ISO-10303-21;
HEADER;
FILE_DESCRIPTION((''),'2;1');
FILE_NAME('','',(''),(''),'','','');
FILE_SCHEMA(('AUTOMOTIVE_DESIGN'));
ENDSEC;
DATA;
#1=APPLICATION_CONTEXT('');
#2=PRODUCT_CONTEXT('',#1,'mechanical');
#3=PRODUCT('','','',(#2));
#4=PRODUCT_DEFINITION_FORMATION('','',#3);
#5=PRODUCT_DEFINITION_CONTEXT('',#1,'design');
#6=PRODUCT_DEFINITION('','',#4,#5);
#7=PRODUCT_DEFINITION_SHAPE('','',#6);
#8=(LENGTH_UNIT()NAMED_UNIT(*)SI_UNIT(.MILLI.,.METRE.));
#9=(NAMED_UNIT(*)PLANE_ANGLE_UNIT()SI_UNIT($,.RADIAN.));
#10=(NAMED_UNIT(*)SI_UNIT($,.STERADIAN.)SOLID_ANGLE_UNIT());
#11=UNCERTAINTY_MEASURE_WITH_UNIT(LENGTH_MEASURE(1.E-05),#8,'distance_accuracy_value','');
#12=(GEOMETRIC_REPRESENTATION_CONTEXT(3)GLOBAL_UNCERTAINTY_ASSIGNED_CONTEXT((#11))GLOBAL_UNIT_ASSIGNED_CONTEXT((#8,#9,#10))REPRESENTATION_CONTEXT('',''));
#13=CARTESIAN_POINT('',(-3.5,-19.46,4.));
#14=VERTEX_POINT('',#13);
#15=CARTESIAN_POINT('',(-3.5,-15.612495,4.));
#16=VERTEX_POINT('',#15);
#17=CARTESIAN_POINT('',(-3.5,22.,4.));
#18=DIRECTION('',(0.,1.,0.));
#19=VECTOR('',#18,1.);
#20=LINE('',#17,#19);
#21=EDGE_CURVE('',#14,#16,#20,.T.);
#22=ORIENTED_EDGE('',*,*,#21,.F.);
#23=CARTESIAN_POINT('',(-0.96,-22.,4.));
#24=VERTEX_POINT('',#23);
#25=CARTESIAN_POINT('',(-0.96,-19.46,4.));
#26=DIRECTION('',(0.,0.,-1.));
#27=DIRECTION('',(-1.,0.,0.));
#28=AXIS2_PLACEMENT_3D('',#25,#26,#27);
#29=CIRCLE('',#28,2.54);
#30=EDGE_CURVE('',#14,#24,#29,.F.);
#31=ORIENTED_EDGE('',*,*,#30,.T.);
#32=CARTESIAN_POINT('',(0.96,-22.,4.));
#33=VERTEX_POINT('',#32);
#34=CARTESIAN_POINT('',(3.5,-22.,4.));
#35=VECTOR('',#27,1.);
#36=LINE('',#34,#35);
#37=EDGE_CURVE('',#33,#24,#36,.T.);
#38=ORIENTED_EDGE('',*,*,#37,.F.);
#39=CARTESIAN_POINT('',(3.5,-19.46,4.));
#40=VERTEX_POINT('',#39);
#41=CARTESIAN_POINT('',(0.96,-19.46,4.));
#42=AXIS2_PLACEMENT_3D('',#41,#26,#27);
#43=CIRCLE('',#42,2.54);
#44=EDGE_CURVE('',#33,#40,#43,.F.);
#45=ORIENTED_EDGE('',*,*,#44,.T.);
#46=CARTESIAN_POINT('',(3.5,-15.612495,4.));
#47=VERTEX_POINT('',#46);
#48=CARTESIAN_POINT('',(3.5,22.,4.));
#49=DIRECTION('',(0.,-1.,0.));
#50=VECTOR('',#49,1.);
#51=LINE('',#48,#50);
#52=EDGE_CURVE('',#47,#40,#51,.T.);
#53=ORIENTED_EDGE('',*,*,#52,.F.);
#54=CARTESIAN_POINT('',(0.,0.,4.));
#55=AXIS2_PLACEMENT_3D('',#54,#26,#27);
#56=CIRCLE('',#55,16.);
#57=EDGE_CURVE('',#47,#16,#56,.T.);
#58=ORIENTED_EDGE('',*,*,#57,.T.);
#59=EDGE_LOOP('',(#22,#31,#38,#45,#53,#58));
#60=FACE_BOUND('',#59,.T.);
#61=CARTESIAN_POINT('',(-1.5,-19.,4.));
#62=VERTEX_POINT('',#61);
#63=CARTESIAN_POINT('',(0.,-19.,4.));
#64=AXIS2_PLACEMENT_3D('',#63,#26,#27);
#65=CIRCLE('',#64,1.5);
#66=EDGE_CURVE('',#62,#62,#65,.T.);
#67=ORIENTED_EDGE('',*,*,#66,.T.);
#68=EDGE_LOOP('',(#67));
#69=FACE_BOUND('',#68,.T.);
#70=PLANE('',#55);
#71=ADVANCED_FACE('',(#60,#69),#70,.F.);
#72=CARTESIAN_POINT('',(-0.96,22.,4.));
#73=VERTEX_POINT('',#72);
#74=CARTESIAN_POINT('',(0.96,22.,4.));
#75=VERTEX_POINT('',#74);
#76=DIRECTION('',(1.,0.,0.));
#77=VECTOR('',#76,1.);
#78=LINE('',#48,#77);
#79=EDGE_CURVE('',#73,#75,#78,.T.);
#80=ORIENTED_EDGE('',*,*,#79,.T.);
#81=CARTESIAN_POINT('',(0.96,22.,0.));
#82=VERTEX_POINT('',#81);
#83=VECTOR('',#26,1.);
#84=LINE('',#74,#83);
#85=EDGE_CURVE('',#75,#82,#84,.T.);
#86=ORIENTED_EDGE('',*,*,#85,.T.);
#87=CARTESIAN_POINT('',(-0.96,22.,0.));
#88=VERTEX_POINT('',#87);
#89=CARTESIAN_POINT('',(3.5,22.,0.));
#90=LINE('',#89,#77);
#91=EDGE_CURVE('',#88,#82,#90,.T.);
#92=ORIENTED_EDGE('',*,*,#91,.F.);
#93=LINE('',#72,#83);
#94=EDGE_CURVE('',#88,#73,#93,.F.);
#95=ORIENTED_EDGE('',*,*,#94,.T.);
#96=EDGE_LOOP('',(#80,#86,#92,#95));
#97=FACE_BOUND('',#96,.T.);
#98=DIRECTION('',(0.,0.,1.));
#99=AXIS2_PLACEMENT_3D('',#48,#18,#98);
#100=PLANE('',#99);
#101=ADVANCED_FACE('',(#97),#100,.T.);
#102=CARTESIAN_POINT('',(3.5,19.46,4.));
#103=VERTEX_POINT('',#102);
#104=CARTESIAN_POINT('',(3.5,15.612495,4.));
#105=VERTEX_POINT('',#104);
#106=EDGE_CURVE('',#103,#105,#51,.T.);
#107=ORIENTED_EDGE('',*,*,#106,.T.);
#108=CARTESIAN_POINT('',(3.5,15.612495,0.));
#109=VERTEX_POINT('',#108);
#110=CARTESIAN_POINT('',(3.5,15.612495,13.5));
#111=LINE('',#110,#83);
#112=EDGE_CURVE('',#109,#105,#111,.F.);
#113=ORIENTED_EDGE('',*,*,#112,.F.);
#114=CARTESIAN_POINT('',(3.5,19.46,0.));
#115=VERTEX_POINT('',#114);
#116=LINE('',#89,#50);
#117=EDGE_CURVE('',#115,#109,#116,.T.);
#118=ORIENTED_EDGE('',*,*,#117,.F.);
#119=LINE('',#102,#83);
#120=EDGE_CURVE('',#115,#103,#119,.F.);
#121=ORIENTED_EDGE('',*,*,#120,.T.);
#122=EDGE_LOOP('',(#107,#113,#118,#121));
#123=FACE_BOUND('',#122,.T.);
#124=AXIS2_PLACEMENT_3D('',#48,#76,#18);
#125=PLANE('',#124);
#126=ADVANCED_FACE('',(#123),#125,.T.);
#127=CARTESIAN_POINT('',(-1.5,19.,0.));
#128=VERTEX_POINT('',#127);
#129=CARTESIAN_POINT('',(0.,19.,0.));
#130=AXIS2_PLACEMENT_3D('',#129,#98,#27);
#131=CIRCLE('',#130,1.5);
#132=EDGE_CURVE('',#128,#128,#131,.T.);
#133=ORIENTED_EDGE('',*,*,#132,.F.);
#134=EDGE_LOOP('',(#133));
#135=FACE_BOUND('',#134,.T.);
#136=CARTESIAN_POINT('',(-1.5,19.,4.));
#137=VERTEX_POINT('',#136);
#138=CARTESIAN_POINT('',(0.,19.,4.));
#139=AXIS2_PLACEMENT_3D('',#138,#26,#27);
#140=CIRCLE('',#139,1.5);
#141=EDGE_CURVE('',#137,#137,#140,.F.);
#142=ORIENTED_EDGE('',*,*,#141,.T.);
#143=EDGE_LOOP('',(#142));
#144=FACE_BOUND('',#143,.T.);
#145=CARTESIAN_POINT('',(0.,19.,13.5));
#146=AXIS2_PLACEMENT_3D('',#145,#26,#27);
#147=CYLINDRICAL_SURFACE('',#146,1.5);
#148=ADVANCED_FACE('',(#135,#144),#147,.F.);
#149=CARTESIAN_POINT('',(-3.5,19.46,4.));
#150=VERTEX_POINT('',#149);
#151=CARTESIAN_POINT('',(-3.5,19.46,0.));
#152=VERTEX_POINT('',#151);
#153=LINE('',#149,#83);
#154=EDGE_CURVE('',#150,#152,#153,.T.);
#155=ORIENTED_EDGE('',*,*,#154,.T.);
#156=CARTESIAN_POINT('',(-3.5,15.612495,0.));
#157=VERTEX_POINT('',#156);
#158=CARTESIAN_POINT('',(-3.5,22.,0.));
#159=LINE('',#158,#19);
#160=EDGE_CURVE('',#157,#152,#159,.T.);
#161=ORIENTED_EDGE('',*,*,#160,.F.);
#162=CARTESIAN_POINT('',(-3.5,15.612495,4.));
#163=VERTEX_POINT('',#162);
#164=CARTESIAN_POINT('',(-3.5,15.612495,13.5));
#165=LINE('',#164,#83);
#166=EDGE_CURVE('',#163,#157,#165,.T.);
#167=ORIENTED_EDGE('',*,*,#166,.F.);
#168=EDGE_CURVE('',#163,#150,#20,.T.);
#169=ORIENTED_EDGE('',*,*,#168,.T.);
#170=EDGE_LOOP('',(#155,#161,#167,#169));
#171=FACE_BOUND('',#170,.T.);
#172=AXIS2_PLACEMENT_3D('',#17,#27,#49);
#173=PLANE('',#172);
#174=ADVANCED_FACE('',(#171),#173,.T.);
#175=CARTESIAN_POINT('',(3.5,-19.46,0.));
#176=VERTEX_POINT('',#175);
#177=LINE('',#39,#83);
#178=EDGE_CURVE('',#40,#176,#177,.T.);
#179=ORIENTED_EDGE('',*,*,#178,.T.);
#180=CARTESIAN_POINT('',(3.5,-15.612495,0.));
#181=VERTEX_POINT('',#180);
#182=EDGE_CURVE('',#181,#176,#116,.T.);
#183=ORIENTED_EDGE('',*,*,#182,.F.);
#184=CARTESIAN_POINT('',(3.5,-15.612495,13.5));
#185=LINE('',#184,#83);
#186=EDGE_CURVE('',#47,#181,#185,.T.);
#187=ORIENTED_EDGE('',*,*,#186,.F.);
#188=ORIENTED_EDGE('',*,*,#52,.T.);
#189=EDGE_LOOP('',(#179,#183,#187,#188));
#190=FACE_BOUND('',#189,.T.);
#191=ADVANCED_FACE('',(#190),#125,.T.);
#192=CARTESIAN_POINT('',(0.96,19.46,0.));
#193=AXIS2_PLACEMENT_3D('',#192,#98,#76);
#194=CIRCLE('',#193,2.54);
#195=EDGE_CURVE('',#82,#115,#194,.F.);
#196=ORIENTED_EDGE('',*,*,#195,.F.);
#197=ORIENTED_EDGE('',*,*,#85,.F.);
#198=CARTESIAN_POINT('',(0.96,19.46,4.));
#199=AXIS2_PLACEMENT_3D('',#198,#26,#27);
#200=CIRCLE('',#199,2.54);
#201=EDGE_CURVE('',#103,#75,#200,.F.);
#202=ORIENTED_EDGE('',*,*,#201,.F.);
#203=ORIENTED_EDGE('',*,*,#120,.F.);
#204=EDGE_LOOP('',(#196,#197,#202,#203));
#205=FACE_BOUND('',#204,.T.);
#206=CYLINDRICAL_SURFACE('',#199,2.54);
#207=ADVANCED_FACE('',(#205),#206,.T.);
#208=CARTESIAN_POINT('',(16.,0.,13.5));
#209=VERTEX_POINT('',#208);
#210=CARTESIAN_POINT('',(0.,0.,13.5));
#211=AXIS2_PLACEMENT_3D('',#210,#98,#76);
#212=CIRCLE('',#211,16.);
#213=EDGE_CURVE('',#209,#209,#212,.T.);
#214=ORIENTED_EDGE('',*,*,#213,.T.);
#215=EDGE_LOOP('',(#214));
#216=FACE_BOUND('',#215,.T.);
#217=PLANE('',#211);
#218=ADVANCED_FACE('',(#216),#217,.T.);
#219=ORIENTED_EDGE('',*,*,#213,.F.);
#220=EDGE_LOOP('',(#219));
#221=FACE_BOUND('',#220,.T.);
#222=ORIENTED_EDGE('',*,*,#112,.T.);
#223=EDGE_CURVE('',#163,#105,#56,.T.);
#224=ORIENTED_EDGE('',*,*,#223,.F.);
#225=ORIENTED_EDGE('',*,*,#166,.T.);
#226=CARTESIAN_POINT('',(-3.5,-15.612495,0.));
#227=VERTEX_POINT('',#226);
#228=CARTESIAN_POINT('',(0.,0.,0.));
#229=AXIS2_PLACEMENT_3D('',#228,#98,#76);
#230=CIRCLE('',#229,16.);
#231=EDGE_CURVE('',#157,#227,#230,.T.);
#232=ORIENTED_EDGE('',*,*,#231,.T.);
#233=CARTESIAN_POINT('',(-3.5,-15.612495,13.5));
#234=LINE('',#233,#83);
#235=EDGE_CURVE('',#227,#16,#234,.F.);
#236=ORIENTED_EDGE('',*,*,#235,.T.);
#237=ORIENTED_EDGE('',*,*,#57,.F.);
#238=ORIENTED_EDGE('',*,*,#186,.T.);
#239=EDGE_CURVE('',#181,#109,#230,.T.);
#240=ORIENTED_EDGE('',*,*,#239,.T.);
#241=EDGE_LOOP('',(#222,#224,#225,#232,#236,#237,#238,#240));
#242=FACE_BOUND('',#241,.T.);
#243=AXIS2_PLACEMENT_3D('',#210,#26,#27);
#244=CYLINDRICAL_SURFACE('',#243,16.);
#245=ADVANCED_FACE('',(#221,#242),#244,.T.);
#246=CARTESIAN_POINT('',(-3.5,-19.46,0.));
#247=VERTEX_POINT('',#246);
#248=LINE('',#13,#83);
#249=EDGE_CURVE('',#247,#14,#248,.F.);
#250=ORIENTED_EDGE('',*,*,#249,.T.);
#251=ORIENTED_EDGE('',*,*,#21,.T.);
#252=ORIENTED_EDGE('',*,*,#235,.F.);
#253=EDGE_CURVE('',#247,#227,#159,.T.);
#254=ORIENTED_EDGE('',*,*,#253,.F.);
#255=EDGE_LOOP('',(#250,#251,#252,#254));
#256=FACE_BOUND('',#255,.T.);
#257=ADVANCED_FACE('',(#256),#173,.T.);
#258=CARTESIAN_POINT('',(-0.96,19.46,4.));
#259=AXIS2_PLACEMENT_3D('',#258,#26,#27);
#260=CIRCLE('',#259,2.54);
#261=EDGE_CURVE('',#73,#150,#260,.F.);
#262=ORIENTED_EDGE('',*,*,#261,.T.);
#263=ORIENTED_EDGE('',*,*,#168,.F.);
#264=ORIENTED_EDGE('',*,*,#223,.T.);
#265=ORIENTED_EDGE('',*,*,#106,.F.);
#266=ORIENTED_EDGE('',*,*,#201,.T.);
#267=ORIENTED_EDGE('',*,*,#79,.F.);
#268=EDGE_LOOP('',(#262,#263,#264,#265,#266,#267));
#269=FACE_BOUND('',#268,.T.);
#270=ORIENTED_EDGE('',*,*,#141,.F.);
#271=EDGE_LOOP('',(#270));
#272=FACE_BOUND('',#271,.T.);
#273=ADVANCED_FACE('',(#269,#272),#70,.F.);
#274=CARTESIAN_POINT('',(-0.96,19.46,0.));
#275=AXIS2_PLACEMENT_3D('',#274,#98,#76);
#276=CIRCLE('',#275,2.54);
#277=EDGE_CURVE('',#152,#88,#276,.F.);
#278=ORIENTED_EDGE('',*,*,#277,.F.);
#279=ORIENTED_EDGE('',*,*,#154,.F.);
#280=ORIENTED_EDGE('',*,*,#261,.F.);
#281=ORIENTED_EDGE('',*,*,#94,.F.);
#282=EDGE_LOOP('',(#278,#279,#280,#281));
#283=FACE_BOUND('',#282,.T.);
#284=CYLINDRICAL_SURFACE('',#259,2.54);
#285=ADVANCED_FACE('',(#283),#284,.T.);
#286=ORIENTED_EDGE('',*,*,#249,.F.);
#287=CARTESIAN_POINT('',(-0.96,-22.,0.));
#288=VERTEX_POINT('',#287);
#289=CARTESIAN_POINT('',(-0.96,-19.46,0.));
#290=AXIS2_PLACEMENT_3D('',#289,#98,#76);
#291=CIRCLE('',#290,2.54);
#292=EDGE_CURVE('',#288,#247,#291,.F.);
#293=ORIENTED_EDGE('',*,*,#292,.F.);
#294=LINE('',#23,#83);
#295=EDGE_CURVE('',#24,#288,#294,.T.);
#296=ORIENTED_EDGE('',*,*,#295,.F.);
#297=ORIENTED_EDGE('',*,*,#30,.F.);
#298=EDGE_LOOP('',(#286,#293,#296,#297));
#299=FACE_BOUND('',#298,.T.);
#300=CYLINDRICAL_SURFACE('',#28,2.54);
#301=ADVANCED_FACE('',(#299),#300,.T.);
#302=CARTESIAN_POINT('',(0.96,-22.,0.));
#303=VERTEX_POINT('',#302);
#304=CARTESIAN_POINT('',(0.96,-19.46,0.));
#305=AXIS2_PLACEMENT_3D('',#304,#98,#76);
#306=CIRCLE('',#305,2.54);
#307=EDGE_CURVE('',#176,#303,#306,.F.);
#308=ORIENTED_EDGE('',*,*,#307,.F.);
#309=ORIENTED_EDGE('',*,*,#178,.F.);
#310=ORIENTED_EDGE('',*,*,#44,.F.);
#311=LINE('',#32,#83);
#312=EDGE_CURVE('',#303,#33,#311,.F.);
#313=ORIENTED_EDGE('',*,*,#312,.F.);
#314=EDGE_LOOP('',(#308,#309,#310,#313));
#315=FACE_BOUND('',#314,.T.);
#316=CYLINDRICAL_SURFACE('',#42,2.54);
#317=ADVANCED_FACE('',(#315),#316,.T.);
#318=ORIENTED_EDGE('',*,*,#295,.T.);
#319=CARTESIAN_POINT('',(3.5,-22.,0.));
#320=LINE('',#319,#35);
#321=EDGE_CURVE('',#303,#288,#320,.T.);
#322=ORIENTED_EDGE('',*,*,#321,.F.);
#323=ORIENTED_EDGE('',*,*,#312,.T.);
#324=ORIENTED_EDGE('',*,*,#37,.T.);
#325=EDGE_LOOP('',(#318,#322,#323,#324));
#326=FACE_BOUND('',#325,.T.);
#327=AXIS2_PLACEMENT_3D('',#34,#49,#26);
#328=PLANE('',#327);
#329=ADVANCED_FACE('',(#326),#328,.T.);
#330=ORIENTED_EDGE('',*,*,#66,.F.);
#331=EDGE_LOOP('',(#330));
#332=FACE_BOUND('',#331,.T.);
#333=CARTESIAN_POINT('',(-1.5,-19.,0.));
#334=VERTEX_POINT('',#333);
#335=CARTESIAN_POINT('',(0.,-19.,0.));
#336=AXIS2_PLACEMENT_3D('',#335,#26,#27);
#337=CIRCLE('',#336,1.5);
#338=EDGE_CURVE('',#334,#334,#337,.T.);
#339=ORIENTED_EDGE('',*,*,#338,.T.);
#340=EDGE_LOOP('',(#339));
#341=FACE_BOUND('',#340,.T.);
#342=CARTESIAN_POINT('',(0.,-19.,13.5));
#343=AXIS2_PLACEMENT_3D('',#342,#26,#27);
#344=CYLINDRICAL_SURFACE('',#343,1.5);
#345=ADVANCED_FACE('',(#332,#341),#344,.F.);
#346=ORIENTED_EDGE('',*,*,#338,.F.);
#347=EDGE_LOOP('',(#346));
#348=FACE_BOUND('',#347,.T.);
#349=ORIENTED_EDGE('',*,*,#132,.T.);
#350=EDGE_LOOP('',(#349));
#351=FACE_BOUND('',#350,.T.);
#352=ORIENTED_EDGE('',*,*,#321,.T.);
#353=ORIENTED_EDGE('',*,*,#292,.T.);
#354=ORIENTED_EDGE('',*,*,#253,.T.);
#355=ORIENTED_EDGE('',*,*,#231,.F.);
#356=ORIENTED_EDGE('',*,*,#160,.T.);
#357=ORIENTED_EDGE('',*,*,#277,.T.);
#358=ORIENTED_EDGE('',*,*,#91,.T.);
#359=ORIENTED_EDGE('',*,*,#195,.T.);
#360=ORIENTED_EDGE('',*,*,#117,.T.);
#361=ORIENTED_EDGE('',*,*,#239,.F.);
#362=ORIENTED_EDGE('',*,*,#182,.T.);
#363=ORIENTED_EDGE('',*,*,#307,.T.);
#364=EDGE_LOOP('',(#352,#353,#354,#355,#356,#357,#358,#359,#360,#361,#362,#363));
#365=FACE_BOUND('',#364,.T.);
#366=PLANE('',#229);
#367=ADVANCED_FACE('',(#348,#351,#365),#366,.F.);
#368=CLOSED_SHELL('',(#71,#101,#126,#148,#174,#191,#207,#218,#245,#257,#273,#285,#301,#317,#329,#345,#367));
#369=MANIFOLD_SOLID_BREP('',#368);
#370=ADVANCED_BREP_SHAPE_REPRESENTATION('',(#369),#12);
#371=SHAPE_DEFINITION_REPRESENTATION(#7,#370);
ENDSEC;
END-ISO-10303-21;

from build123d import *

# Parameters (mm, degrees)
SKETCH1_R           = 16
BOSS_EXTRUDE1_DEPTH = 13.5
SKETCH2_W           = 7
SKETCH2_H           = 44
BOSS_EXTRUDE2_DEPTH = 4
FILLET1_R           = 2.54
SKETCH4_R           = 1.5
CUT_EXTRUDE1_DEPTH  = 31.368569278


with BuildPart() as part:
    # Sketch1 → Boss-Extrude1 (new body)
    with BuildSketch(Plane.XY):
        Circle(SKETCH1_R)
    extrude(amount=BOSS_EXTRUDE1_DEPTH)

    # Sketch2 → Boss-Extrude2 (add)
    with BuildSketch(Plane(origin=(0, 0, 0), x_dir=(-1, 0, 0), z_dir=(0, 0, -1))):
        Rectangle(SKETCH2_W, SKETCH2_H)
    extrude(amount=-BOSS_EXTRUDE2_DEPTH)

    # Fillet1
    fillet1_edges = [part.edges().sort_by_distance(p)[0] for p in [
        (-3.5, 22, 2),
        (3.5, -22, 2),
        (-3.5, -22, 2),
        (3.5, 22, 2),
    ]]
    fillet(fillet1_edges, radius=FILLET1_R)

    # Sketch4 → Cut-Extrude1 (cut, through all)
    with BuildSketch(Plane(origin=(0, 0, 0), x_dir=(-1, 0, 0), z_dir=(0, 0, -1))):
        with Locations((0, -19)):
            Circle(SKETCH4_R)
    cut_extrude1 = extrude(amount=-CUT_EXTRUDE1_DEPTH, mode=Mode.SUBTRACT)

    # Mirror1: Cut-Extrude1 across plane
    add(cut_extrude1.mirror(Plane.ZX), mode=Mode.SUBTRACT)


solid = part.part
